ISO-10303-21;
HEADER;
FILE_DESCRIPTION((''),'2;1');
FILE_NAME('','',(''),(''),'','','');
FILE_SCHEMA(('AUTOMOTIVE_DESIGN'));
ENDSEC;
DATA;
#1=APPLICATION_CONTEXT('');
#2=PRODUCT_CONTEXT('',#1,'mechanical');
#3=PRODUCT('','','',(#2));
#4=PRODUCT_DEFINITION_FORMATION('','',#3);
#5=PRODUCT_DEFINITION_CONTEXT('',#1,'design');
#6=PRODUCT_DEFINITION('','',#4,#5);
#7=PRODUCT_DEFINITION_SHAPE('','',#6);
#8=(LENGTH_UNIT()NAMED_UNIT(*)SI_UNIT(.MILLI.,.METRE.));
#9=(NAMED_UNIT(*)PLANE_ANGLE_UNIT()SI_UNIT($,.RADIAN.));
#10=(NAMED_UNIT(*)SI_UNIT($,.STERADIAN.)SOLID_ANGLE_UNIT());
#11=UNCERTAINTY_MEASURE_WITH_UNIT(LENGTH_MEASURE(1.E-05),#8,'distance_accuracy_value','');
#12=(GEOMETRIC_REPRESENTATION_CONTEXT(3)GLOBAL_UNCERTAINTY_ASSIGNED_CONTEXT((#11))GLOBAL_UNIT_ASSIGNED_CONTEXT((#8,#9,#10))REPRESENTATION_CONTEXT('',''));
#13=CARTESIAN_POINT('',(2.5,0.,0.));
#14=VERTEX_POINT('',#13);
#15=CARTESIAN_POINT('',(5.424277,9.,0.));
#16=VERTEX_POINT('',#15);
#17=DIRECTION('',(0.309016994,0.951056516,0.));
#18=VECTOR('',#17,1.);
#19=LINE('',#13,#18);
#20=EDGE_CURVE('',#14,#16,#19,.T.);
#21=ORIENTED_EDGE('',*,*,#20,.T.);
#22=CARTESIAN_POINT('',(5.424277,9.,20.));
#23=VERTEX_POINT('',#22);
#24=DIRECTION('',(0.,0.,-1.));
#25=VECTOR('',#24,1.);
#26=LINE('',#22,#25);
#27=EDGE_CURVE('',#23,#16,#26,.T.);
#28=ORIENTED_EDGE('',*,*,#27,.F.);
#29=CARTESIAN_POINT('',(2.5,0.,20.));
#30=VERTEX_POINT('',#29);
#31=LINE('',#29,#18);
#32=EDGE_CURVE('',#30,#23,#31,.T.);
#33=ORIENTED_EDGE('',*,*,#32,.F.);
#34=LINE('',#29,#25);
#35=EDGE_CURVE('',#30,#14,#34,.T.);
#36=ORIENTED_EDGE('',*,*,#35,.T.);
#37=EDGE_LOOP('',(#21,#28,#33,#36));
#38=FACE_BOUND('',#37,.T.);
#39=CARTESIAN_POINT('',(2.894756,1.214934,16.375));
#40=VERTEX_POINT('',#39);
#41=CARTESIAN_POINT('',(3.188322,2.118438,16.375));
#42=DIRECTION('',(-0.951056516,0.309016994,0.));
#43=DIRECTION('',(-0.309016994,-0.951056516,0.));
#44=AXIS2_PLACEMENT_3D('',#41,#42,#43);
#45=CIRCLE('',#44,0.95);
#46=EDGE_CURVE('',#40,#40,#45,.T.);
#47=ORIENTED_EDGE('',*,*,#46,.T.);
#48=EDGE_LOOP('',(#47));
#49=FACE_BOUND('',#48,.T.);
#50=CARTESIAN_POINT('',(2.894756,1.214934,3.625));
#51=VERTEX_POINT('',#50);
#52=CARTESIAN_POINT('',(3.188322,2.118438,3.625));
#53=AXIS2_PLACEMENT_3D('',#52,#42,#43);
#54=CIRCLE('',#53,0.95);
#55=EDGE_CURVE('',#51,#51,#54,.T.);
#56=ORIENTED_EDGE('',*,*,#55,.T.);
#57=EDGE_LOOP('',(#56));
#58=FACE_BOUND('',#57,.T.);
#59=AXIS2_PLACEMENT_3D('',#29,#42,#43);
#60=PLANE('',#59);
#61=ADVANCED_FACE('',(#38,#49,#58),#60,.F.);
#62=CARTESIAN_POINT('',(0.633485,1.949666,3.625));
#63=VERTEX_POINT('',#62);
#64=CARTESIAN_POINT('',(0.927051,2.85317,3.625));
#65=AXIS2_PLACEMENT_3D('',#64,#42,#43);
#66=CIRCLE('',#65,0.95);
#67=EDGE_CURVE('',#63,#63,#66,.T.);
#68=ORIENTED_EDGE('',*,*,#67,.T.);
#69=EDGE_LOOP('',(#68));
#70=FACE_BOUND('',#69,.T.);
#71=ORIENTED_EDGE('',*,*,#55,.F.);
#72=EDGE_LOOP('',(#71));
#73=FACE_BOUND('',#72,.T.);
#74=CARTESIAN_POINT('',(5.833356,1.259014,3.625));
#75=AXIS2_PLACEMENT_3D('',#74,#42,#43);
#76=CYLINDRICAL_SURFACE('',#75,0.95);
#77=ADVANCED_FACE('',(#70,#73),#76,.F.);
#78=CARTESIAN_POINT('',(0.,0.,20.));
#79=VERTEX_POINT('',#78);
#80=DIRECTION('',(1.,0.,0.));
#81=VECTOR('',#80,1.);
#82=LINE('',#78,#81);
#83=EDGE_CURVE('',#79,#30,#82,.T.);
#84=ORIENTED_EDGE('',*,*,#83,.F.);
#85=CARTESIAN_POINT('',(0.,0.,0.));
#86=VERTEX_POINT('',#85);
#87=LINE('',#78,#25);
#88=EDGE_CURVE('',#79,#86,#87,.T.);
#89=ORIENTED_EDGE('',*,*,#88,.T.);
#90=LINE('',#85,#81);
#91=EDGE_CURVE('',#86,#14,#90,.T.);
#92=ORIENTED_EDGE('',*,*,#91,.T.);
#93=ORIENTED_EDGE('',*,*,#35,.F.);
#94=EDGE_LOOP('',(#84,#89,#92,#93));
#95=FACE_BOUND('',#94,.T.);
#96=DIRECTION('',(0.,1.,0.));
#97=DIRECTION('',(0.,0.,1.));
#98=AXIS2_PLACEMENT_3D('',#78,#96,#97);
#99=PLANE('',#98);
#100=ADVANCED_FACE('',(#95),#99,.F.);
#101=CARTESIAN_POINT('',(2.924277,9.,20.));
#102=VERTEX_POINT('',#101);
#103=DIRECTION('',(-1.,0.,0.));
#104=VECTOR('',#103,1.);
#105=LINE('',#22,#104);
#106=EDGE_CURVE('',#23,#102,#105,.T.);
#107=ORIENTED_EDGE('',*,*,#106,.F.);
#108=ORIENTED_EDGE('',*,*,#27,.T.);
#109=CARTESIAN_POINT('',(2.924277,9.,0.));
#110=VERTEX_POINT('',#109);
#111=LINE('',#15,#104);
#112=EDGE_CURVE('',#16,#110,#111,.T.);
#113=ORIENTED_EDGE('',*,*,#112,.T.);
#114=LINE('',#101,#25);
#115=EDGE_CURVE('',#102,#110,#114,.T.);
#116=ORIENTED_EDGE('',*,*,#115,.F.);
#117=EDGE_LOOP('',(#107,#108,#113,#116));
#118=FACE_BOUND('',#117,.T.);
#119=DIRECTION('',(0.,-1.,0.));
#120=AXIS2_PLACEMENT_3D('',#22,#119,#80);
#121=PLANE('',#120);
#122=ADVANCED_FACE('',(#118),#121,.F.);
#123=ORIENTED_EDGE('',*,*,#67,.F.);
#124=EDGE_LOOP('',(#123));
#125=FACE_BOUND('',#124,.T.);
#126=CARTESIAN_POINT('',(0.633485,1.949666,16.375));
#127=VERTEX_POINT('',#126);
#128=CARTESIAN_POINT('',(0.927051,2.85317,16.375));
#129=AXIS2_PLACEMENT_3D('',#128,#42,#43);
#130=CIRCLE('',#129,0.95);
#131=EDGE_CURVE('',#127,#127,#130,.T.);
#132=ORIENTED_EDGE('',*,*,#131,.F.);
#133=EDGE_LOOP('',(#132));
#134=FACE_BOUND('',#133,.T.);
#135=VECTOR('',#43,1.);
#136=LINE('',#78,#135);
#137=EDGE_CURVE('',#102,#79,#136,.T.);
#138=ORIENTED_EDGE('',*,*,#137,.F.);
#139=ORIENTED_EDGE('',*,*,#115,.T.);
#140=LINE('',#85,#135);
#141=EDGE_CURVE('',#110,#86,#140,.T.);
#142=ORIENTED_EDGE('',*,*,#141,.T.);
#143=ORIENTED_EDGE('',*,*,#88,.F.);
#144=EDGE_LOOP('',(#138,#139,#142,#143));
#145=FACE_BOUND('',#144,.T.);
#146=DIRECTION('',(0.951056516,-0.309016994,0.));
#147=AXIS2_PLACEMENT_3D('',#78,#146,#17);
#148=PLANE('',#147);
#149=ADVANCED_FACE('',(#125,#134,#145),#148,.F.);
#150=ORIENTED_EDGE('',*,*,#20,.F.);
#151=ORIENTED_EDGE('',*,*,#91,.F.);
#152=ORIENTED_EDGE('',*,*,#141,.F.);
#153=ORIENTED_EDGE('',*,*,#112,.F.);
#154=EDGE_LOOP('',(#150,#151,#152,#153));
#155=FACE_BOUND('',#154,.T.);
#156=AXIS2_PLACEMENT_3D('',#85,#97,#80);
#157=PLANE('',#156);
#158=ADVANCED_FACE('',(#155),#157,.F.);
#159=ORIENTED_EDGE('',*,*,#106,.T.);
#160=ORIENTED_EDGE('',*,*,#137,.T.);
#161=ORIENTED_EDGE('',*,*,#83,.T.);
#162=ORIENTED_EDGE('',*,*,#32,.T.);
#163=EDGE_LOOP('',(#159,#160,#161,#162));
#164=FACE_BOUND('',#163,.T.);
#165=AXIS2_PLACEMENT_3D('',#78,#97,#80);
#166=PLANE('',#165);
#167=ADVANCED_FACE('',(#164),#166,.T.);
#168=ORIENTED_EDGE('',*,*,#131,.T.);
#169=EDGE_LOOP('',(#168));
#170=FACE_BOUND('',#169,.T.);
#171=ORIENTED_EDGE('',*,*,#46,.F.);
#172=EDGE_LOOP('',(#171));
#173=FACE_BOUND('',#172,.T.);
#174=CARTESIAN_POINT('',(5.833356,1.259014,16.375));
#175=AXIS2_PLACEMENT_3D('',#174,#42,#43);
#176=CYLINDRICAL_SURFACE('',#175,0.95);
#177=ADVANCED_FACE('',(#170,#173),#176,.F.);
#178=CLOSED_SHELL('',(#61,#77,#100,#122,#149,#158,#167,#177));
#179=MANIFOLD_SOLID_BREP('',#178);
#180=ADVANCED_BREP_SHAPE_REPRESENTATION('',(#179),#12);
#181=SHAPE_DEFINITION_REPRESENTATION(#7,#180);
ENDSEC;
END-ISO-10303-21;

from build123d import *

# Parameters (mm, degrees)
BOSS_EXTRUDE2_DEPTH = 20
SKETCH4_R           = 0.95
CUT_EXTRUDE1_DEPTH  = 6.15879424


with BuildPart() as part:
    # Sketch2 → Boss-Extrude2 (new body)
    with BuildSketch(Plane.XY):
        Polygon((0, 0), (2.5, 0), (5.424277266, 9), (2.924277266, 9), align=None)
    extrude(amount=BOSS_EXTRUDE2_DEPTH)

    # Sketch4 → Cut-Extrude1 (cut, through all)
    with BuildSketch(Plane(origin=(0, 0, 0), x_dir=(0, 0, 1), z_dir=(-0.951056516, 0.309016994, 0))):
        with Locations((3.625, 3)):
            Circle(SKETCH4_R)
        with Locations((16.375, 3)):
            Circle(SKETCH4_R)
    extrude(amount=-CUT_EXTRUDE1_DEPTH, mode=Mode.SUBTRACT)


solid = part.part
